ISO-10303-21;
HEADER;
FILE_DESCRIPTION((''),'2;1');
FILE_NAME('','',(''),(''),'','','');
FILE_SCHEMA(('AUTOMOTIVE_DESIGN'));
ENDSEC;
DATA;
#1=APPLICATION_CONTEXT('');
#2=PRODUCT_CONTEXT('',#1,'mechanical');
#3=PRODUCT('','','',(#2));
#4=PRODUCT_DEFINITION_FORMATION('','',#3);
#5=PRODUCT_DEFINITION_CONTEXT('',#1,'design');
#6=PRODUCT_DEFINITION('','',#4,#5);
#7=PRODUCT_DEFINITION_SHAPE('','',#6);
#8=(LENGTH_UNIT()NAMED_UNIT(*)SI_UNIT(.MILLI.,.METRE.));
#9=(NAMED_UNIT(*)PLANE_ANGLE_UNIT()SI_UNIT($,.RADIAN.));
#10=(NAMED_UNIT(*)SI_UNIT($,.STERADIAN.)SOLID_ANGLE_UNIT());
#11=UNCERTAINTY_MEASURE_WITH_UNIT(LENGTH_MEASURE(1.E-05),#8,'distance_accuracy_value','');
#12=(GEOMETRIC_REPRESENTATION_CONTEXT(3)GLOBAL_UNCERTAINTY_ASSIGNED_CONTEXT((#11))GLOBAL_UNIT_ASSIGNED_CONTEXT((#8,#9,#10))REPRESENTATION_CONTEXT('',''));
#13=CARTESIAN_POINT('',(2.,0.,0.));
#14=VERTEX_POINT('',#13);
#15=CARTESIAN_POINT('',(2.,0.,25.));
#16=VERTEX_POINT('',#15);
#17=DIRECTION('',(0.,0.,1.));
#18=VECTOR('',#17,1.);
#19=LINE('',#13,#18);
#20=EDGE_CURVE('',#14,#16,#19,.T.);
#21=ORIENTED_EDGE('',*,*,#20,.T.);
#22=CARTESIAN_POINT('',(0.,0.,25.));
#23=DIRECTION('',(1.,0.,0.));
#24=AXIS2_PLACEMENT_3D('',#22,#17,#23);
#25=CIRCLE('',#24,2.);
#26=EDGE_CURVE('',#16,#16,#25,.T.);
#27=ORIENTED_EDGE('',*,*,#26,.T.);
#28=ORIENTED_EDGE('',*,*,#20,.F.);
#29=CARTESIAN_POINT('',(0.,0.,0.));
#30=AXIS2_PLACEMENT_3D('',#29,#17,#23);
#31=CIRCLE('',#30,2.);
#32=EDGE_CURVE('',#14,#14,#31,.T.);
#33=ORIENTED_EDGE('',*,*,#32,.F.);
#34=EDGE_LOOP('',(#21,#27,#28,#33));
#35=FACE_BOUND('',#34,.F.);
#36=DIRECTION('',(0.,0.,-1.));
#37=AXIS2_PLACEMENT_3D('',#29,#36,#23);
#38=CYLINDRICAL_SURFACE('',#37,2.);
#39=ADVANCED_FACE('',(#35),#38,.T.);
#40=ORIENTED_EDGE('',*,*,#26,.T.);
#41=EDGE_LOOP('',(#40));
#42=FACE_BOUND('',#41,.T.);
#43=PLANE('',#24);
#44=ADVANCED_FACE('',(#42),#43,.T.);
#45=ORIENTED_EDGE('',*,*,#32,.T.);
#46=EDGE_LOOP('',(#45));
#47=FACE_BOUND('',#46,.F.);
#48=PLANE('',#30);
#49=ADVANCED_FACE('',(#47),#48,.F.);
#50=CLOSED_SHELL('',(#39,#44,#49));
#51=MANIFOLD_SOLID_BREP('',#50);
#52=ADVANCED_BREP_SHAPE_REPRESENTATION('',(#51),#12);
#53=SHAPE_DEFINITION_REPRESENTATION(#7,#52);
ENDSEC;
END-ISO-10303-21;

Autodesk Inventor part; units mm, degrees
ref_plane "YZ Plane" through (0, 0, 0) normal (1, 0, 0) x (0, 1, 0)
ref_plane "XZ Plane" through (0, 0, 0) normal (0, 1, 0) x (-1, 0, 0)
ref_plane "XY Plane" through (0, 0, 0) normal (0, 0, 1) x (1, 0, 0)
sketch "スケッチ1" plane through (0, 0, 0) normal (0, 0, 1) x (1, 0, 0)
  circle A0 centre (0, 0) radius 2
  dimension "d0" = 4
extrude "押し出し1" add sketch "スケッチ1" along normal blind 25
properties part number "平行ピン　φ4　長さ25" material "ステンレス鋼"
